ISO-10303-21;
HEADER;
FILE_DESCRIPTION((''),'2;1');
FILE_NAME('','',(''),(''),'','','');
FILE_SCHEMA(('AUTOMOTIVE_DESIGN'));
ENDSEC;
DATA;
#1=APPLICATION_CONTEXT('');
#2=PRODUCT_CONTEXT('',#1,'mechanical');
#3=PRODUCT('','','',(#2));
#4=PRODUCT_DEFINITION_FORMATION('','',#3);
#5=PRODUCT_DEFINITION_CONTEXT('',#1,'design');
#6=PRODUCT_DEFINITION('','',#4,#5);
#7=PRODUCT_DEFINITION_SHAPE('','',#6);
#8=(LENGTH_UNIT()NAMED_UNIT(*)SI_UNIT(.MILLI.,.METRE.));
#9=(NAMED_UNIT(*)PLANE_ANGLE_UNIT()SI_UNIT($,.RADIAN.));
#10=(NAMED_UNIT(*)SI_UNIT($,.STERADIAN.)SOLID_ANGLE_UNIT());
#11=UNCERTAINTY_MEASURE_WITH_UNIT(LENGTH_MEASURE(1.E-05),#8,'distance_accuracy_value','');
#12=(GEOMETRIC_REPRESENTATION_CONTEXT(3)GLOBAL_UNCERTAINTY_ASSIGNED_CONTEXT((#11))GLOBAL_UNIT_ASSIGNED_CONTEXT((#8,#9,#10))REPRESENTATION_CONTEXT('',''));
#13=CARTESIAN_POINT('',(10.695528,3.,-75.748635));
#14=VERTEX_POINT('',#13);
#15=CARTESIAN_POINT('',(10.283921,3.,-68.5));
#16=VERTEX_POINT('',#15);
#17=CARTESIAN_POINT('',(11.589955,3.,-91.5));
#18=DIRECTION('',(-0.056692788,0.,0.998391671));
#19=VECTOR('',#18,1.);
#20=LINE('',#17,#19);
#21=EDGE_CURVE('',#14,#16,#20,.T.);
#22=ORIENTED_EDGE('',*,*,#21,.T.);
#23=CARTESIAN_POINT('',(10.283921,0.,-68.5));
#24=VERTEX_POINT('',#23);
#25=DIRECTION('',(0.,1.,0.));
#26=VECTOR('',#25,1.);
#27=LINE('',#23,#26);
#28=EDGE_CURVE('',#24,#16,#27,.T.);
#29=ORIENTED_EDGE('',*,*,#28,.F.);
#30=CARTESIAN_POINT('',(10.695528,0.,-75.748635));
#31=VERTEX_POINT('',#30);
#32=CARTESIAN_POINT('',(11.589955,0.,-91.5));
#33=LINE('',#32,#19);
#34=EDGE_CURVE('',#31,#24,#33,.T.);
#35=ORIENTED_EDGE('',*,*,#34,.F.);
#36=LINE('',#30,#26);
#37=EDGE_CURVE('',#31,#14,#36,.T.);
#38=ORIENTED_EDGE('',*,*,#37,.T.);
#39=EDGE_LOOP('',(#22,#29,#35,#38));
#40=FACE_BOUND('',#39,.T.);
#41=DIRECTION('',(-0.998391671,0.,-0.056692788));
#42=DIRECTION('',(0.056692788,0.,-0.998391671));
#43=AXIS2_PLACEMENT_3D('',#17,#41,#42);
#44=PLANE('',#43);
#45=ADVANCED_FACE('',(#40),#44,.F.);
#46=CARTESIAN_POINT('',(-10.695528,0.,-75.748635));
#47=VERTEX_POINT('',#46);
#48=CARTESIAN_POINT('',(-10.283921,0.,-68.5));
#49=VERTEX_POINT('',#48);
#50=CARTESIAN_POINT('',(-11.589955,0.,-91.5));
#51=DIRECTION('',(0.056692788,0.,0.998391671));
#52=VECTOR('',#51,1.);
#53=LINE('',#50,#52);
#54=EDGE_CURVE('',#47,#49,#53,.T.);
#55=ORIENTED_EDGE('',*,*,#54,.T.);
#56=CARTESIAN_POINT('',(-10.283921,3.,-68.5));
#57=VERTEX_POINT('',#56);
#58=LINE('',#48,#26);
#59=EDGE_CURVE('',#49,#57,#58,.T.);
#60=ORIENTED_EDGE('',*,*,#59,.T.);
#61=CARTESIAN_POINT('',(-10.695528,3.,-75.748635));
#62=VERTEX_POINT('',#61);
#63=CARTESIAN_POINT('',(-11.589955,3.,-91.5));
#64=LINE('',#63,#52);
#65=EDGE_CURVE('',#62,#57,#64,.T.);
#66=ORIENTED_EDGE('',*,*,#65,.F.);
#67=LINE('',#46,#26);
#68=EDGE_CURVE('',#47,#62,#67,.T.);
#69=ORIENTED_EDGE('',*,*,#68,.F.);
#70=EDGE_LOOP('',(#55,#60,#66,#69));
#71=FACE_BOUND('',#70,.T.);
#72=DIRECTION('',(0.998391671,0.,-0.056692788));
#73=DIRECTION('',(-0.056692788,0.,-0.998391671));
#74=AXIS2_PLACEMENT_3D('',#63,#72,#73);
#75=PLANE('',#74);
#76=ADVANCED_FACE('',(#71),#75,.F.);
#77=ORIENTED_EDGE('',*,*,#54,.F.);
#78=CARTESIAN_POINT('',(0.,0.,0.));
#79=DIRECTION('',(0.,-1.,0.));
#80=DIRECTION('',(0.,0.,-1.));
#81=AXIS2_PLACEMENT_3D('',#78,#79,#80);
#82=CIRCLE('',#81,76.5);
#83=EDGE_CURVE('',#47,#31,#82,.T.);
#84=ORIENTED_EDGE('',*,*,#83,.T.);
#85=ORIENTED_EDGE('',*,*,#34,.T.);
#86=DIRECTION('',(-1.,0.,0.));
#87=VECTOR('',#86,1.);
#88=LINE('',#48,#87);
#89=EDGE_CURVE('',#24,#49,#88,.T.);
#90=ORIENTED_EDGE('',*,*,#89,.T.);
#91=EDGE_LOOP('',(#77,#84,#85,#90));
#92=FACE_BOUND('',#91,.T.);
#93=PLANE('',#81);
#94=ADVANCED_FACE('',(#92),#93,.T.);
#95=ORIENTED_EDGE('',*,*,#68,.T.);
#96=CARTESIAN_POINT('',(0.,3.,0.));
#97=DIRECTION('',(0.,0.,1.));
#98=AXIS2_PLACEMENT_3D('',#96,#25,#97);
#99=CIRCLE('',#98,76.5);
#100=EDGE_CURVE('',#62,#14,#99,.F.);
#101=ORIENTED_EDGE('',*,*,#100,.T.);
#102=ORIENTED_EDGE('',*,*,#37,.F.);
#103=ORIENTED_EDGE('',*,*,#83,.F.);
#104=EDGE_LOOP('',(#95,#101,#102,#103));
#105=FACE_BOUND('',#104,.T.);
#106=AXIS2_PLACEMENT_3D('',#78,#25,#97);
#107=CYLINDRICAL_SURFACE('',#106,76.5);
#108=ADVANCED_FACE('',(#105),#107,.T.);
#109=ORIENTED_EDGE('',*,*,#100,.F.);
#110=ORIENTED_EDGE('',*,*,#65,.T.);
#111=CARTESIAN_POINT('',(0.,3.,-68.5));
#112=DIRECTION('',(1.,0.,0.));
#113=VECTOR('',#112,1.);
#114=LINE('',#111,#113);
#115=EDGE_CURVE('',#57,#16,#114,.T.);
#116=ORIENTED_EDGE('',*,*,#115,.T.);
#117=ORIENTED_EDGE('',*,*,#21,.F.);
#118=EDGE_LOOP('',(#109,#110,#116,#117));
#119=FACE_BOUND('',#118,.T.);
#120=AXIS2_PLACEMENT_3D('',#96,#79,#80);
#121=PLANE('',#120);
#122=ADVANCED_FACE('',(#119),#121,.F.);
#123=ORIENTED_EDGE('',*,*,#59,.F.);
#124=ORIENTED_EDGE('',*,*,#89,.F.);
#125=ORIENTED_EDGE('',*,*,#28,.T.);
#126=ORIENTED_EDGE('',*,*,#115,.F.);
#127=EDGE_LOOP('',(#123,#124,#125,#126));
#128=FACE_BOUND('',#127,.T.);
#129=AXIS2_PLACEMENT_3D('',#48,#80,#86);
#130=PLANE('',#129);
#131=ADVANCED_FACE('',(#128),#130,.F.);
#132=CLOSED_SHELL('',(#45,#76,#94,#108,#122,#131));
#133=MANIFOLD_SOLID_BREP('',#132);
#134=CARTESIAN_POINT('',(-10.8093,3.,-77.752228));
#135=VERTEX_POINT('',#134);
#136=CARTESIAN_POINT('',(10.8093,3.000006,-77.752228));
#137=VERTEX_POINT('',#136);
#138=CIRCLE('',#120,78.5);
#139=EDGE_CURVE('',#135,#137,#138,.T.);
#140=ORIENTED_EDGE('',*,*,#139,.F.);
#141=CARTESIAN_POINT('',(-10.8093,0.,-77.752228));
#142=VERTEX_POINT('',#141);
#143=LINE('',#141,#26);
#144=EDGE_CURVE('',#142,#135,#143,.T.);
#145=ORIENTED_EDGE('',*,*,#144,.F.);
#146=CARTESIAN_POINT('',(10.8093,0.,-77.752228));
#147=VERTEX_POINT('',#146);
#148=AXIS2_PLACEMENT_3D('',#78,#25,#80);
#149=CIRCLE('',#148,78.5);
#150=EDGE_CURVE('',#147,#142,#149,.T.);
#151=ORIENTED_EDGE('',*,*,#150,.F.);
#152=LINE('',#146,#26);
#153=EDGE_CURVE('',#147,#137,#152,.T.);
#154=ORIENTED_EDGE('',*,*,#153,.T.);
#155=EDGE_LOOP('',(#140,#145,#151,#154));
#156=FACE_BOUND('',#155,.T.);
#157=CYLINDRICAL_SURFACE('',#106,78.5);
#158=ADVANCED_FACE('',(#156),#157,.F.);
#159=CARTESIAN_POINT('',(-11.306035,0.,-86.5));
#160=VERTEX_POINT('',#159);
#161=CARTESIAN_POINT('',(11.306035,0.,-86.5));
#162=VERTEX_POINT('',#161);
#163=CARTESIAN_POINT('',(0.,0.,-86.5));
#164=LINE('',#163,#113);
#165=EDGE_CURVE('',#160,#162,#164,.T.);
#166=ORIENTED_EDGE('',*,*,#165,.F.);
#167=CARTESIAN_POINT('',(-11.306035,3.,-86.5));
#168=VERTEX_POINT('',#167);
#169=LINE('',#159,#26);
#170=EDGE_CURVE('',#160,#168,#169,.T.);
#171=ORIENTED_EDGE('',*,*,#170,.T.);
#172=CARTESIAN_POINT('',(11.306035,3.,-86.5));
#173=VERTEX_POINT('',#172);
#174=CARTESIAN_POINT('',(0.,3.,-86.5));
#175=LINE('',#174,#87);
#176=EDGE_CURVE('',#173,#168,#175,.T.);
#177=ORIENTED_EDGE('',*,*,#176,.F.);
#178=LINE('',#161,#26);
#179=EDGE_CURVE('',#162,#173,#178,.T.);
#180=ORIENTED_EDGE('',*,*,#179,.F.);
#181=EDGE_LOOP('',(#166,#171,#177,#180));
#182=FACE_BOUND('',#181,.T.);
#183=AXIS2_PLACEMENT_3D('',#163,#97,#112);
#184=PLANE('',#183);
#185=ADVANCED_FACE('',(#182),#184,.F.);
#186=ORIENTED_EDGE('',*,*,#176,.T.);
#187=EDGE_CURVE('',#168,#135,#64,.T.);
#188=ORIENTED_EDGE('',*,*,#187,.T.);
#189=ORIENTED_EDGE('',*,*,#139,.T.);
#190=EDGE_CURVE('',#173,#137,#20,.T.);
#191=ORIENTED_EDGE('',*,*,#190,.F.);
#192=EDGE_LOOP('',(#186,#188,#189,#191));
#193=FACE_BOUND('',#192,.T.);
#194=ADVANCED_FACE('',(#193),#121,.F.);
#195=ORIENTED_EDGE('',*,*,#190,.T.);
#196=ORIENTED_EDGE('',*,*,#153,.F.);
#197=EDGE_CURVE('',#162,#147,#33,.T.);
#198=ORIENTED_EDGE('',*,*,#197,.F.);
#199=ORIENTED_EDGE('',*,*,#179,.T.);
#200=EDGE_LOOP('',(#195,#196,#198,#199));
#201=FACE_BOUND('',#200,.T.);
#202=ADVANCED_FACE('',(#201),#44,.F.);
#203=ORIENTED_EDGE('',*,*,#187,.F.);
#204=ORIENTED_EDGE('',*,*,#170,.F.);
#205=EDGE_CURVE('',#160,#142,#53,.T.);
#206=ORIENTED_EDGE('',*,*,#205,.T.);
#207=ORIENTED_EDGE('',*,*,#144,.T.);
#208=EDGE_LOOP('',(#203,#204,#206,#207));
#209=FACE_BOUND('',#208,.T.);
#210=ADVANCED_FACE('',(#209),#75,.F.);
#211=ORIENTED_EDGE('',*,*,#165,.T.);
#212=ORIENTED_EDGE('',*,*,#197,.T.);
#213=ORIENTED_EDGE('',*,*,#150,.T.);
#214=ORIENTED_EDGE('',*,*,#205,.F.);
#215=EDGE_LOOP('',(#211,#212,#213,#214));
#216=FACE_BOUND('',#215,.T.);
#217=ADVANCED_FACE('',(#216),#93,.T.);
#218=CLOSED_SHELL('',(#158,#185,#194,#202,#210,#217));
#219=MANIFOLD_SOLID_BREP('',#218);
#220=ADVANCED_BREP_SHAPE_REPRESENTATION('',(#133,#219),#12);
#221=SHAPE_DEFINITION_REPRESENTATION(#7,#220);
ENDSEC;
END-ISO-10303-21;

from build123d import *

# Parameters (mm, degrees)
BOSS_EXTRUDE1_DEPTH      = 3
CUT_EXTRUDE10_DEPTH      = 1
CUT_EXTRUDE10_DEPTH_BACK = 4
CUT_EXTRUDE11_DEPTH      = 1
CUT_EXTRUDE11_DEPTH_BACK = 4


with BuildPart() as part:
    # Sketch1 → Boss-Extrude1 (new body)
    with BuildSketch(Plane(origin=(0, 0, 0), x_dir=(1, 0, 0), z_dir=(0, 1, 0))):
        Polygon((-11.589955224, 91.5), (-10, 63.5), (0, 63.5), (0, 91.5), align=None)
    extrude(amount=BOSS_EXTRUDE1_DEPTH)

    # Sketch55 → Cut-Extrude10 (cut, two sides)
    with BuildSketch(Plane(origin=(0, 3, 0), x_dir=(1, 0, 0), z_dir=(0, 1, 0))) as cut_extrude10_sk:
        Polygon((-10.283920576, 68.5), (0, 68.5), (0, 63.5), (-10, 63.5), align=None)
        Polygon((-11.306034648, 86.5), (-11.589955224, 91.5), (0, 91.5), (0, 86.5), align=None)
    extrude(amount=CUT_EXTRUDE10_DEPTH, mode=Mode.SUBTRACT)
    extrude(cut_extrude10_sk.sketch, amount=-CUT_EXTRUDE10_DEPTH_BACK, mode=Mode.SUBTRACT)

    # Mirror14: part across plane


with BuildPart() as part_1:
    add(part.part)
    add(part.part.mirror(Plane(origin=(0, 0, 0), x_dir=(0, 0, 1), z_dir=(1, 0, 0))))

    # Sketch56 → Cut-Extrude11 (cut, two sides)
    with BuildSketch(Plane(origin=(0, 3, 0), x_dir=(1, 0, 0), z_dir=(0, 1, 0))) as cut_extrude11_sk:
        with BuildLine():
            Line((-10.829714823, 77.74938763), (-10.695527892, 75.74863486))
            ThreePointArc((-10.695527892, 75.74863486), (0, 76.5), (10.695527892, 75.74863486))
            Line((10.695527892, 75.74863486), (10.809300181, 77.752228454))
            ThreePointArc((10.809300181, 77.752228454), (-0.010305677, 78.499999324), (-10.829714823, 77.74938763))
        make_face()
    extrude(amount=CUT_EXTRUDE11_DEPTH, mode=Mode.SUBTRACT)
    extrude(cut_extrude11_sk.sketch, amount=-CUT_EXTRUDE11_DEPTH_BACK, mode=Mode.SUBTRACT)


solid = part_1.part
